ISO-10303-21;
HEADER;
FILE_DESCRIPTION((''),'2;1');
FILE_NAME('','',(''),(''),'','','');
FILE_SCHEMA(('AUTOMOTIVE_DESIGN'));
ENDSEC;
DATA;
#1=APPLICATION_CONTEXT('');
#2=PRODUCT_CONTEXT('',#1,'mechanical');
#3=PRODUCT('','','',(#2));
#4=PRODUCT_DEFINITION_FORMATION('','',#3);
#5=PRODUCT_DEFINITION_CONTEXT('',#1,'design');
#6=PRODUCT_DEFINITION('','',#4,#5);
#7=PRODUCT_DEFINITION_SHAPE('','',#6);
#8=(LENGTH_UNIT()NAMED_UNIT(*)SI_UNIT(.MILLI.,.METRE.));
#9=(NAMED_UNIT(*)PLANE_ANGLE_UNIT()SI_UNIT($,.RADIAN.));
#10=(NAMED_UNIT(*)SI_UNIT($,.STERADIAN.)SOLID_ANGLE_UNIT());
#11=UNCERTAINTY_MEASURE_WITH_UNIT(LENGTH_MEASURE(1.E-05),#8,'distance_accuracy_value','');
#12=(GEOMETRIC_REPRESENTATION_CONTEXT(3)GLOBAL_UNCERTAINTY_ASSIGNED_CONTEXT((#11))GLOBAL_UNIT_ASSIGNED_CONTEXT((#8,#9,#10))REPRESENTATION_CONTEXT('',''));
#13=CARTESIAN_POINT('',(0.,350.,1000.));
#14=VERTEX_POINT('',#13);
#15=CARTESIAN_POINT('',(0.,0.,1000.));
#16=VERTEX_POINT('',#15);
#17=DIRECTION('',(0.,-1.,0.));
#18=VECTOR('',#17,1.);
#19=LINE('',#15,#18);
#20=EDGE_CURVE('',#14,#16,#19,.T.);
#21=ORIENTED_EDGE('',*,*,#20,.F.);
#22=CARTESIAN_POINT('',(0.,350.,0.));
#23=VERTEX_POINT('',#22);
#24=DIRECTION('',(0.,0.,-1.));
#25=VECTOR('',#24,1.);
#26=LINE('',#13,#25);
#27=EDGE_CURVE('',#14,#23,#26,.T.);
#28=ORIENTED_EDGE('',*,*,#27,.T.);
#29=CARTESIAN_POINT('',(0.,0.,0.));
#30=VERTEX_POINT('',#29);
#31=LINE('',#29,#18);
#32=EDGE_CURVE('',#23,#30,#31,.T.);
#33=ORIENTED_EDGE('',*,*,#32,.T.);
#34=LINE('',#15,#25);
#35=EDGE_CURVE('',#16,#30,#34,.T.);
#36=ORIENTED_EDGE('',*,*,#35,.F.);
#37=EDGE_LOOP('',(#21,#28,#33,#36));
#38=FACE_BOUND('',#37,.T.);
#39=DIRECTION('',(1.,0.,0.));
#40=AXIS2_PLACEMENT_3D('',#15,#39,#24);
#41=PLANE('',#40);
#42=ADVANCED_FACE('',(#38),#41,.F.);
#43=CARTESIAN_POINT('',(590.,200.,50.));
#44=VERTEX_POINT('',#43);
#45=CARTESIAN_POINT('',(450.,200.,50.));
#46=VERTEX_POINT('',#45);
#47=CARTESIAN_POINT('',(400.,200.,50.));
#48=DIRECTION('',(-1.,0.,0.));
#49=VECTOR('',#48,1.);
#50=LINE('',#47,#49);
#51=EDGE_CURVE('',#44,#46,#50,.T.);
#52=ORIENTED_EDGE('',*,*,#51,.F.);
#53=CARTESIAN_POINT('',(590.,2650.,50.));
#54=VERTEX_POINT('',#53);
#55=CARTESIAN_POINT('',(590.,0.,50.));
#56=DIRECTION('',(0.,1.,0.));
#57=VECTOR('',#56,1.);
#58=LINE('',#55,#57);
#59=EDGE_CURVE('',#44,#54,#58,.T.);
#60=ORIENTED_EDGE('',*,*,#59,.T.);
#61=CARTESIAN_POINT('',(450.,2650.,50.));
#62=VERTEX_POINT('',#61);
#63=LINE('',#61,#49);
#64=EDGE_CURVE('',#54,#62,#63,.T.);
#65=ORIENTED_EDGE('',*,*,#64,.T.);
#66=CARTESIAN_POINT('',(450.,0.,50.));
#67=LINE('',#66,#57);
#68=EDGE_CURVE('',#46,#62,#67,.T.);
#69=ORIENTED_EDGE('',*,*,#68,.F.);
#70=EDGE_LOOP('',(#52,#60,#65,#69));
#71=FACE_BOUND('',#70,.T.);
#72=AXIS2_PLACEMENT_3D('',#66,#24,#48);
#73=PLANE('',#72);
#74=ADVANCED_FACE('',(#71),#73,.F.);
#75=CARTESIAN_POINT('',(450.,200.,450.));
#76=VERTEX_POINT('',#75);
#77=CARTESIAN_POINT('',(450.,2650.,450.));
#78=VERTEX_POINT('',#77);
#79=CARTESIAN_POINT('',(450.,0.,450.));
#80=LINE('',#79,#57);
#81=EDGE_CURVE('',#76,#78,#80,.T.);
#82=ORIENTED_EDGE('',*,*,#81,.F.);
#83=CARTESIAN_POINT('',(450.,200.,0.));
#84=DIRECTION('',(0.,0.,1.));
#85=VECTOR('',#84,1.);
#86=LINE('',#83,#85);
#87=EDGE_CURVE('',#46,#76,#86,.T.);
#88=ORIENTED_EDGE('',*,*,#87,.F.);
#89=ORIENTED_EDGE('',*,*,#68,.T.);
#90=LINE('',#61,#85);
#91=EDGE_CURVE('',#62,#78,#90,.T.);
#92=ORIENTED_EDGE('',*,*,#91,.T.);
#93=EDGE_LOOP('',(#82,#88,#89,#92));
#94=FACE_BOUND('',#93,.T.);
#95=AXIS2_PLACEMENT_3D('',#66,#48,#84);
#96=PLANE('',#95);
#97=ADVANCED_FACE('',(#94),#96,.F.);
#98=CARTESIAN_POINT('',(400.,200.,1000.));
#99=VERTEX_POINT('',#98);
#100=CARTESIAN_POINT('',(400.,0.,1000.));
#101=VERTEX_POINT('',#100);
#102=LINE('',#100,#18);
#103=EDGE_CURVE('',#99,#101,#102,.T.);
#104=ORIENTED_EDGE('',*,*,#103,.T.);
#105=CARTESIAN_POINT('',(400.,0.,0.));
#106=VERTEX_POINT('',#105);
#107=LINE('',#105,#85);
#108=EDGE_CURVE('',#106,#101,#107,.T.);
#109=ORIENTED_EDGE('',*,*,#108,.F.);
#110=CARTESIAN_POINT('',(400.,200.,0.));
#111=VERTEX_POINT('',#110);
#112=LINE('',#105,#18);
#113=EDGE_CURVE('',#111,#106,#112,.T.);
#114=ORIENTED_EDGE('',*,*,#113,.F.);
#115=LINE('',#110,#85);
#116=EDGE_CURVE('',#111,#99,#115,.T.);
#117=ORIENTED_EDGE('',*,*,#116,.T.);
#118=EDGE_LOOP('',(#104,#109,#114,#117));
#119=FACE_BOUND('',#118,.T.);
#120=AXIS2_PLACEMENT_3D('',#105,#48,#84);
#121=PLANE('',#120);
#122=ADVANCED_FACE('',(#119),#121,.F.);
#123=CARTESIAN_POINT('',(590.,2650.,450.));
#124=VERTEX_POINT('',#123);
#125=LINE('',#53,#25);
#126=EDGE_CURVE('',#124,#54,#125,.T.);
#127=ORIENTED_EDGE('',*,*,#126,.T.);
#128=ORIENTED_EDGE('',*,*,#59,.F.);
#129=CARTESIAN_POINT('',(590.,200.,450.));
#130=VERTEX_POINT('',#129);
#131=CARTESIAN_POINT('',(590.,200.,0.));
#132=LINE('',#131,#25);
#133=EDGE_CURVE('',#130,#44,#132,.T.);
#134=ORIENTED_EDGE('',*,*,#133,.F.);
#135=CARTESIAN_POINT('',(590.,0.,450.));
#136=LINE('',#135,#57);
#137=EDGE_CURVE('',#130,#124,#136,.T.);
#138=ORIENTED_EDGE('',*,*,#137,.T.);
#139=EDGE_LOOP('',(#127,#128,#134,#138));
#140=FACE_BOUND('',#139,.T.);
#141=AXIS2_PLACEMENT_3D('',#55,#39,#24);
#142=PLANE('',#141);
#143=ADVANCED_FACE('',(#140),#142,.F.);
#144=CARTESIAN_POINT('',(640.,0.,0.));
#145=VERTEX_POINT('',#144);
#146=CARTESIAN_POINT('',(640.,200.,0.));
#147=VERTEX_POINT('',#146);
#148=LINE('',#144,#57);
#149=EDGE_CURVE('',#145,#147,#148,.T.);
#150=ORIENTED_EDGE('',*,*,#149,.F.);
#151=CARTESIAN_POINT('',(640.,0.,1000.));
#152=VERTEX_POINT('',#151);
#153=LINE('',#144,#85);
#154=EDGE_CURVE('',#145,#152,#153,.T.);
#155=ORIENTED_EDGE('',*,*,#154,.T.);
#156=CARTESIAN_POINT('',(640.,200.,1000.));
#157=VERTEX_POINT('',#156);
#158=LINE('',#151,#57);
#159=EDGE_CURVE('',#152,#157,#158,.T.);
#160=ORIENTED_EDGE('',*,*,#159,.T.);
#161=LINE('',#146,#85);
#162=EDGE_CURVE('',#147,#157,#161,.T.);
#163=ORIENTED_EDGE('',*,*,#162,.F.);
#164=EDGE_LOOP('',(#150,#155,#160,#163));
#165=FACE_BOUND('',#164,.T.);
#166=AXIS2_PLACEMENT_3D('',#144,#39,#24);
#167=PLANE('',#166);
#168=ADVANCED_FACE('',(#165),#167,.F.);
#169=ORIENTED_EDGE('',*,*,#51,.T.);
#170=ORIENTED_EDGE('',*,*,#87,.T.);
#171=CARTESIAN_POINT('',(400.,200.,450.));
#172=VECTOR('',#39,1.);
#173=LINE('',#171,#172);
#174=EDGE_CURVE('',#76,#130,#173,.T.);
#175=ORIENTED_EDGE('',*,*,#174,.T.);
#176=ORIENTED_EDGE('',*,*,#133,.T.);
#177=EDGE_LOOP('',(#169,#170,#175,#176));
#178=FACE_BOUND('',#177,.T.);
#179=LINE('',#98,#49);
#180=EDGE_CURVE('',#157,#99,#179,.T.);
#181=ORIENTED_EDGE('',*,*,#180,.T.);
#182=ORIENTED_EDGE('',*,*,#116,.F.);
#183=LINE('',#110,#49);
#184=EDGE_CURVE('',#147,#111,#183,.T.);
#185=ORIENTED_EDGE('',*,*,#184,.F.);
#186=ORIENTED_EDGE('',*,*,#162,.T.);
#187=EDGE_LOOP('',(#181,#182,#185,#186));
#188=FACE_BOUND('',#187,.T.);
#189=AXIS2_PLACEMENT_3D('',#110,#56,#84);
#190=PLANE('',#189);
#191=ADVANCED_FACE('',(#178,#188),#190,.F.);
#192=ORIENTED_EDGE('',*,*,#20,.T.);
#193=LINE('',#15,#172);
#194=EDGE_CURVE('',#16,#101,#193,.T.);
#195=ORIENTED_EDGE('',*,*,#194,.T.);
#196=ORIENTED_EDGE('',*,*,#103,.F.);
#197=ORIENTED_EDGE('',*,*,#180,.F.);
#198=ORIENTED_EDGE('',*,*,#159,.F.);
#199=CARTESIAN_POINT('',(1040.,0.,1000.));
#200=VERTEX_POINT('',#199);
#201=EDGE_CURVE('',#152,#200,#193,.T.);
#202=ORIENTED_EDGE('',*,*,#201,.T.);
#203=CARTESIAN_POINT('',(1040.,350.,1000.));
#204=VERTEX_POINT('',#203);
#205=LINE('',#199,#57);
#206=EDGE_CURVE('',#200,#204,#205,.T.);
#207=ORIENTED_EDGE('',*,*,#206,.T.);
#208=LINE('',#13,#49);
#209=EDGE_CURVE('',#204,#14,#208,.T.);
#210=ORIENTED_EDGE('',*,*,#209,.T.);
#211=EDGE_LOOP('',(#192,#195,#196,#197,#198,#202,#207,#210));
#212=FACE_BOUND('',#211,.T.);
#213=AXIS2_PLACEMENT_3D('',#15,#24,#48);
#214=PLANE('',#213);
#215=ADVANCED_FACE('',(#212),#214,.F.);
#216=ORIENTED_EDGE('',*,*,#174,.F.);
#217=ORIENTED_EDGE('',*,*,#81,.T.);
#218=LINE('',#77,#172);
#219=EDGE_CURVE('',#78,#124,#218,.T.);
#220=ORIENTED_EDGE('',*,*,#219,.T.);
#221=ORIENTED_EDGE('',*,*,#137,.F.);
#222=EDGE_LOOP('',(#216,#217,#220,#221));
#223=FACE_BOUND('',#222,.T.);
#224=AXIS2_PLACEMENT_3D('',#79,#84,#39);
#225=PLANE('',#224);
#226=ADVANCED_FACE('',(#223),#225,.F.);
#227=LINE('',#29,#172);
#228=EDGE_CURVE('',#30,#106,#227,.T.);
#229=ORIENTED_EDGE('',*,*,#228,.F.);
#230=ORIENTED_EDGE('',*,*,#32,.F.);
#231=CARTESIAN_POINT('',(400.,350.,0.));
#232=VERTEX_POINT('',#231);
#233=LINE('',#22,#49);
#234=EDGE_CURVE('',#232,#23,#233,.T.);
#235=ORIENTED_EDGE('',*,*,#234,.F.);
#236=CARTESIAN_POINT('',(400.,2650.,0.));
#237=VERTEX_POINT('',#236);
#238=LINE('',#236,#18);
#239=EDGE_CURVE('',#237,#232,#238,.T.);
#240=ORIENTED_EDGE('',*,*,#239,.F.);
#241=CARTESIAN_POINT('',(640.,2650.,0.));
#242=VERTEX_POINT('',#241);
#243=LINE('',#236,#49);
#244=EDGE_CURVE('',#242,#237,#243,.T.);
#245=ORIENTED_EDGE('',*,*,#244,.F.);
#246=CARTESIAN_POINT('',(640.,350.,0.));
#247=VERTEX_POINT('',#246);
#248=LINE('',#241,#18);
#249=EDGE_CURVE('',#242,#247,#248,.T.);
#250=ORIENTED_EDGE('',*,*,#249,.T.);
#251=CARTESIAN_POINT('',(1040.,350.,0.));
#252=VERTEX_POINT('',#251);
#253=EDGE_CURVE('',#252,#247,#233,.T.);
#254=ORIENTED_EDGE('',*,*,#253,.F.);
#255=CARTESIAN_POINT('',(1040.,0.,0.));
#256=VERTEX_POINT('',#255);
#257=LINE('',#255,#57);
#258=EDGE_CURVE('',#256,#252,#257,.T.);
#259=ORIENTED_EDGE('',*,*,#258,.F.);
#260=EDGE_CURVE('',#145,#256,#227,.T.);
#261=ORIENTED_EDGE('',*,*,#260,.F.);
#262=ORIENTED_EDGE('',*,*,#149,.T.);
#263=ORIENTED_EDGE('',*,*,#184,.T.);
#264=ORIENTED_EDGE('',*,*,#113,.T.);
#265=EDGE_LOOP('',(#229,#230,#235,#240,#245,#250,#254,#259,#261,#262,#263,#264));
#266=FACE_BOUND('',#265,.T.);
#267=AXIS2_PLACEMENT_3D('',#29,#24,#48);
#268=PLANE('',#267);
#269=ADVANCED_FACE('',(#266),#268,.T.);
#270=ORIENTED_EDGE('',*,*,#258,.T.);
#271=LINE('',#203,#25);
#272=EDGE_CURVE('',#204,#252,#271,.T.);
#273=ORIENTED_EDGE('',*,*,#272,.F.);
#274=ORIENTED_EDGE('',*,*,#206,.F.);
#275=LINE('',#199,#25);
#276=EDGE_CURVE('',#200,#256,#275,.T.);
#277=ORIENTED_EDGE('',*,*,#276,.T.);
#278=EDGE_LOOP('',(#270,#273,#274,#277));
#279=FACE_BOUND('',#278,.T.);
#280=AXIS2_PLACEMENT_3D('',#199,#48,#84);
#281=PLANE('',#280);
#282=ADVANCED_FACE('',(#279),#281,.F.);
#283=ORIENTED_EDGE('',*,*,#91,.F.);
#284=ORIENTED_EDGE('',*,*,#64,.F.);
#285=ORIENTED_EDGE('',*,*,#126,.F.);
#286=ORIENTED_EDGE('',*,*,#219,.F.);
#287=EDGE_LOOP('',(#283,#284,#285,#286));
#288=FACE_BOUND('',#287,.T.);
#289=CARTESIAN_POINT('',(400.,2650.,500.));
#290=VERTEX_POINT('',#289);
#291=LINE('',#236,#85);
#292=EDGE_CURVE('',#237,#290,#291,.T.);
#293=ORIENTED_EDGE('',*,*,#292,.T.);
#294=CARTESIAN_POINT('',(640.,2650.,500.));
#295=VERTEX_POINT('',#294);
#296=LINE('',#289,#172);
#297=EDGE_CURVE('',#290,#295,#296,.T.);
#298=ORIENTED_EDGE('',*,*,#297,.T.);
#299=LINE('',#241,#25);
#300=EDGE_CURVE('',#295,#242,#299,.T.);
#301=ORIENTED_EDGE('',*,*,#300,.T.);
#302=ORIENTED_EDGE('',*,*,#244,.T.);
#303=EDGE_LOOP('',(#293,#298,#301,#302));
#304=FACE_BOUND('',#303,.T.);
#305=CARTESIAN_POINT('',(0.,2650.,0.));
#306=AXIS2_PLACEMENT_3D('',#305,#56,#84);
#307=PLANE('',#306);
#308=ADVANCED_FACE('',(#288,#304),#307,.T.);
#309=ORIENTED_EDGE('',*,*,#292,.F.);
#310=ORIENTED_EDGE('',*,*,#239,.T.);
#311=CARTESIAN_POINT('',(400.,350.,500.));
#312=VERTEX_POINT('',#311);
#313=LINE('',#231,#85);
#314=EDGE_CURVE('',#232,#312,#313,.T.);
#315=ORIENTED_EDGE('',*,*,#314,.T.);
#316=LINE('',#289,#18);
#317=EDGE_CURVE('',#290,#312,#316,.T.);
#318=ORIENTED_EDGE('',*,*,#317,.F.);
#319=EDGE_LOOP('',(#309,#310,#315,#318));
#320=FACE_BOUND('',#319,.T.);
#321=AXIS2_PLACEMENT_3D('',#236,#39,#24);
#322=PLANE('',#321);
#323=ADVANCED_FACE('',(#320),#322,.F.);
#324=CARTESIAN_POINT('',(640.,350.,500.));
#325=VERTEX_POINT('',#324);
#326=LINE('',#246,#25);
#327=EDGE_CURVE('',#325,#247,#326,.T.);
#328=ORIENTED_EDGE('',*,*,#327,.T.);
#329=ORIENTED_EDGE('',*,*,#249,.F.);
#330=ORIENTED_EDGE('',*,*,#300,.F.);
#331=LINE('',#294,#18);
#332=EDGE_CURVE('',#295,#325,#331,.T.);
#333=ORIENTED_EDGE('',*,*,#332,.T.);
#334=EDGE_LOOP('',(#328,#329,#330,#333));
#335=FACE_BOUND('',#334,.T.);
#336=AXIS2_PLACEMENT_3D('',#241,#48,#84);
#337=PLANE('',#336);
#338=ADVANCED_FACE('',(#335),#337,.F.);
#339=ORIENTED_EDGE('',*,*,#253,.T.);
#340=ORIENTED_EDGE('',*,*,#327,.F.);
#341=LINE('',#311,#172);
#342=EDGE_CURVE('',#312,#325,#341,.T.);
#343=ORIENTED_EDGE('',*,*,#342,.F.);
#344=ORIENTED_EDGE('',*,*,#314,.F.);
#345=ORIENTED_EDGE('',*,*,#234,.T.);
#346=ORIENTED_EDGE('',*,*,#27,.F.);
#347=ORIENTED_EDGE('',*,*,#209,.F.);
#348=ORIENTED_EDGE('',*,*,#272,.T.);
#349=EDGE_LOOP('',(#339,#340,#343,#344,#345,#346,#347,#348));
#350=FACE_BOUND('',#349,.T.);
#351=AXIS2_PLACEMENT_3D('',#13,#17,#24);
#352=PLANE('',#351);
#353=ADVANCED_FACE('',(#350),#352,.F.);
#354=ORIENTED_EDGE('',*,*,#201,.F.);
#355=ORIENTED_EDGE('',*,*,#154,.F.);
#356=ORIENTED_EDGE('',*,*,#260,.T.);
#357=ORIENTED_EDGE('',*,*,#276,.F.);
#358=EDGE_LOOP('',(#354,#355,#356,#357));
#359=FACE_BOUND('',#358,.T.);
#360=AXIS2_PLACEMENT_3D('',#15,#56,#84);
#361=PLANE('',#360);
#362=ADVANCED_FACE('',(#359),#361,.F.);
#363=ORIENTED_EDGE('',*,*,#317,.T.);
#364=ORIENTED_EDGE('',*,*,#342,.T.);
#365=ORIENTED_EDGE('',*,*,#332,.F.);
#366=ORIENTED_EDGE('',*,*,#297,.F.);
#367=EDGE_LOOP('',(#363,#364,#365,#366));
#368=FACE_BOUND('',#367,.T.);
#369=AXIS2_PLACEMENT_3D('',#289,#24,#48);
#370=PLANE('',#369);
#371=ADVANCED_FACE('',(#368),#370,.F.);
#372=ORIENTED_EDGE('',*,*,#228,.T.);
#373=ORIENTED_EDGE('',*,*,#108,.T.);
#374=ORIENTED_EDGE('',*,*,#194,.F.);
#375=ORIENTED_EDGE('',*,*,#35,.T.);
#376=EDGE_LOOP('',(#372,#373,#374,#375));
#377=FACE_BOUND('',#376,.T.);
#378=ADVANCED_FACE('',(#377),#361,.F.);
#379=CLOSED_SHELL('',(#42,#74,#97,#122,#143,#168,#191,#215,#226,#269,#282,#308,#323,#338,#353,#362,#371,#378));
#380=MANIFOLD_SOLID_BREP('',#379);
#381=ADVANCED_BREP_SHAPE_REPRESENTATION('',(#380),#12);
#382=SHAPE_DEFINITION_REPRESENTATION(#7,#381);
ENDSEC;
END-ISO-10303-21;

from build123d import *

# Parameters (mm, degrees)
SKIZZE1_W                       = 1040
SKIZZE1_H                       = 350
AUFSATZ_LINEAR_AUSTRAGEN1_DEPTH = 1000
SKIZZE2_W                       = 240
SKIZZE2_H                       = 200
SCHNITT_LINEAR_AUSTRAGEN1_DEPTH = 1485.621163799
SKIZZE3_W                       = 240
SKIZZE3_H                       = 500
AUFSATZ_LINEAR_AUSTRAGEN2_DEPTH = 2300
SKIZZE4_W                       = 140
SKIZZE4_H                       = 400
SCHNITT_LINEAR_AUSTRAGEN2_DEPTH = 3018.300117655


with BuildPart() as part:
    # Skizze1 → Aufsatz-Linear austragen1 (new body)
    with BuildSketch(Plane.XY):
        with Locations((520, 175)):
            Rectangle(SKIZZE1_W, SKIZZE1_H)
    extrude(amount=AUFSATZ_LINEAR_AUSTRAGEN1_DEPTH)

    # Skizze2 → Schnitt-Linear austragen1 (cut, through all)
    with BuildSketch(Plane.XY.offset(1000)):
        with Locations((520, 100)):
            Rectangle(SKIZZE2_W, SKIZZE2_H)
    extrude(amount=-SCHNITT_LINEAR_AUSTRAGEN1_DEPTH, mode=Mode.SUBTRACT)

    # Skizze3 → Aufsatz-Linear austragen2 (add)
    with BuildSketch(Plane(origin=(0, 350, 0), x_dir=(1, 0, 0), z_dir=(0, 1, 0))):
        with Locations((520, -250)):
            Rectangle(SKIZZE3_W, SKIZZE3_H)
    extrude(amount=AUFSATZ_LINEAR_AUSTRAGEN2_DEPTH)

    # Skizze4 → Schnitt-Linear austragen2 (cut, through all)
    with BuildSketch(Plane(origin=(0, 2650, 0), x_dir=(1, 0, 0), z_dir=(0, 1, 0))):
        with Locations((520, -250)):
            Rectangle(SKIZZE4_W, SKIZZE4_H)
    extrude(amount=-SCHNITT_LINEAR_AUSTRAGEN2_DEPTH, mode=Mode.SUBTRACT)


solid = part.part
